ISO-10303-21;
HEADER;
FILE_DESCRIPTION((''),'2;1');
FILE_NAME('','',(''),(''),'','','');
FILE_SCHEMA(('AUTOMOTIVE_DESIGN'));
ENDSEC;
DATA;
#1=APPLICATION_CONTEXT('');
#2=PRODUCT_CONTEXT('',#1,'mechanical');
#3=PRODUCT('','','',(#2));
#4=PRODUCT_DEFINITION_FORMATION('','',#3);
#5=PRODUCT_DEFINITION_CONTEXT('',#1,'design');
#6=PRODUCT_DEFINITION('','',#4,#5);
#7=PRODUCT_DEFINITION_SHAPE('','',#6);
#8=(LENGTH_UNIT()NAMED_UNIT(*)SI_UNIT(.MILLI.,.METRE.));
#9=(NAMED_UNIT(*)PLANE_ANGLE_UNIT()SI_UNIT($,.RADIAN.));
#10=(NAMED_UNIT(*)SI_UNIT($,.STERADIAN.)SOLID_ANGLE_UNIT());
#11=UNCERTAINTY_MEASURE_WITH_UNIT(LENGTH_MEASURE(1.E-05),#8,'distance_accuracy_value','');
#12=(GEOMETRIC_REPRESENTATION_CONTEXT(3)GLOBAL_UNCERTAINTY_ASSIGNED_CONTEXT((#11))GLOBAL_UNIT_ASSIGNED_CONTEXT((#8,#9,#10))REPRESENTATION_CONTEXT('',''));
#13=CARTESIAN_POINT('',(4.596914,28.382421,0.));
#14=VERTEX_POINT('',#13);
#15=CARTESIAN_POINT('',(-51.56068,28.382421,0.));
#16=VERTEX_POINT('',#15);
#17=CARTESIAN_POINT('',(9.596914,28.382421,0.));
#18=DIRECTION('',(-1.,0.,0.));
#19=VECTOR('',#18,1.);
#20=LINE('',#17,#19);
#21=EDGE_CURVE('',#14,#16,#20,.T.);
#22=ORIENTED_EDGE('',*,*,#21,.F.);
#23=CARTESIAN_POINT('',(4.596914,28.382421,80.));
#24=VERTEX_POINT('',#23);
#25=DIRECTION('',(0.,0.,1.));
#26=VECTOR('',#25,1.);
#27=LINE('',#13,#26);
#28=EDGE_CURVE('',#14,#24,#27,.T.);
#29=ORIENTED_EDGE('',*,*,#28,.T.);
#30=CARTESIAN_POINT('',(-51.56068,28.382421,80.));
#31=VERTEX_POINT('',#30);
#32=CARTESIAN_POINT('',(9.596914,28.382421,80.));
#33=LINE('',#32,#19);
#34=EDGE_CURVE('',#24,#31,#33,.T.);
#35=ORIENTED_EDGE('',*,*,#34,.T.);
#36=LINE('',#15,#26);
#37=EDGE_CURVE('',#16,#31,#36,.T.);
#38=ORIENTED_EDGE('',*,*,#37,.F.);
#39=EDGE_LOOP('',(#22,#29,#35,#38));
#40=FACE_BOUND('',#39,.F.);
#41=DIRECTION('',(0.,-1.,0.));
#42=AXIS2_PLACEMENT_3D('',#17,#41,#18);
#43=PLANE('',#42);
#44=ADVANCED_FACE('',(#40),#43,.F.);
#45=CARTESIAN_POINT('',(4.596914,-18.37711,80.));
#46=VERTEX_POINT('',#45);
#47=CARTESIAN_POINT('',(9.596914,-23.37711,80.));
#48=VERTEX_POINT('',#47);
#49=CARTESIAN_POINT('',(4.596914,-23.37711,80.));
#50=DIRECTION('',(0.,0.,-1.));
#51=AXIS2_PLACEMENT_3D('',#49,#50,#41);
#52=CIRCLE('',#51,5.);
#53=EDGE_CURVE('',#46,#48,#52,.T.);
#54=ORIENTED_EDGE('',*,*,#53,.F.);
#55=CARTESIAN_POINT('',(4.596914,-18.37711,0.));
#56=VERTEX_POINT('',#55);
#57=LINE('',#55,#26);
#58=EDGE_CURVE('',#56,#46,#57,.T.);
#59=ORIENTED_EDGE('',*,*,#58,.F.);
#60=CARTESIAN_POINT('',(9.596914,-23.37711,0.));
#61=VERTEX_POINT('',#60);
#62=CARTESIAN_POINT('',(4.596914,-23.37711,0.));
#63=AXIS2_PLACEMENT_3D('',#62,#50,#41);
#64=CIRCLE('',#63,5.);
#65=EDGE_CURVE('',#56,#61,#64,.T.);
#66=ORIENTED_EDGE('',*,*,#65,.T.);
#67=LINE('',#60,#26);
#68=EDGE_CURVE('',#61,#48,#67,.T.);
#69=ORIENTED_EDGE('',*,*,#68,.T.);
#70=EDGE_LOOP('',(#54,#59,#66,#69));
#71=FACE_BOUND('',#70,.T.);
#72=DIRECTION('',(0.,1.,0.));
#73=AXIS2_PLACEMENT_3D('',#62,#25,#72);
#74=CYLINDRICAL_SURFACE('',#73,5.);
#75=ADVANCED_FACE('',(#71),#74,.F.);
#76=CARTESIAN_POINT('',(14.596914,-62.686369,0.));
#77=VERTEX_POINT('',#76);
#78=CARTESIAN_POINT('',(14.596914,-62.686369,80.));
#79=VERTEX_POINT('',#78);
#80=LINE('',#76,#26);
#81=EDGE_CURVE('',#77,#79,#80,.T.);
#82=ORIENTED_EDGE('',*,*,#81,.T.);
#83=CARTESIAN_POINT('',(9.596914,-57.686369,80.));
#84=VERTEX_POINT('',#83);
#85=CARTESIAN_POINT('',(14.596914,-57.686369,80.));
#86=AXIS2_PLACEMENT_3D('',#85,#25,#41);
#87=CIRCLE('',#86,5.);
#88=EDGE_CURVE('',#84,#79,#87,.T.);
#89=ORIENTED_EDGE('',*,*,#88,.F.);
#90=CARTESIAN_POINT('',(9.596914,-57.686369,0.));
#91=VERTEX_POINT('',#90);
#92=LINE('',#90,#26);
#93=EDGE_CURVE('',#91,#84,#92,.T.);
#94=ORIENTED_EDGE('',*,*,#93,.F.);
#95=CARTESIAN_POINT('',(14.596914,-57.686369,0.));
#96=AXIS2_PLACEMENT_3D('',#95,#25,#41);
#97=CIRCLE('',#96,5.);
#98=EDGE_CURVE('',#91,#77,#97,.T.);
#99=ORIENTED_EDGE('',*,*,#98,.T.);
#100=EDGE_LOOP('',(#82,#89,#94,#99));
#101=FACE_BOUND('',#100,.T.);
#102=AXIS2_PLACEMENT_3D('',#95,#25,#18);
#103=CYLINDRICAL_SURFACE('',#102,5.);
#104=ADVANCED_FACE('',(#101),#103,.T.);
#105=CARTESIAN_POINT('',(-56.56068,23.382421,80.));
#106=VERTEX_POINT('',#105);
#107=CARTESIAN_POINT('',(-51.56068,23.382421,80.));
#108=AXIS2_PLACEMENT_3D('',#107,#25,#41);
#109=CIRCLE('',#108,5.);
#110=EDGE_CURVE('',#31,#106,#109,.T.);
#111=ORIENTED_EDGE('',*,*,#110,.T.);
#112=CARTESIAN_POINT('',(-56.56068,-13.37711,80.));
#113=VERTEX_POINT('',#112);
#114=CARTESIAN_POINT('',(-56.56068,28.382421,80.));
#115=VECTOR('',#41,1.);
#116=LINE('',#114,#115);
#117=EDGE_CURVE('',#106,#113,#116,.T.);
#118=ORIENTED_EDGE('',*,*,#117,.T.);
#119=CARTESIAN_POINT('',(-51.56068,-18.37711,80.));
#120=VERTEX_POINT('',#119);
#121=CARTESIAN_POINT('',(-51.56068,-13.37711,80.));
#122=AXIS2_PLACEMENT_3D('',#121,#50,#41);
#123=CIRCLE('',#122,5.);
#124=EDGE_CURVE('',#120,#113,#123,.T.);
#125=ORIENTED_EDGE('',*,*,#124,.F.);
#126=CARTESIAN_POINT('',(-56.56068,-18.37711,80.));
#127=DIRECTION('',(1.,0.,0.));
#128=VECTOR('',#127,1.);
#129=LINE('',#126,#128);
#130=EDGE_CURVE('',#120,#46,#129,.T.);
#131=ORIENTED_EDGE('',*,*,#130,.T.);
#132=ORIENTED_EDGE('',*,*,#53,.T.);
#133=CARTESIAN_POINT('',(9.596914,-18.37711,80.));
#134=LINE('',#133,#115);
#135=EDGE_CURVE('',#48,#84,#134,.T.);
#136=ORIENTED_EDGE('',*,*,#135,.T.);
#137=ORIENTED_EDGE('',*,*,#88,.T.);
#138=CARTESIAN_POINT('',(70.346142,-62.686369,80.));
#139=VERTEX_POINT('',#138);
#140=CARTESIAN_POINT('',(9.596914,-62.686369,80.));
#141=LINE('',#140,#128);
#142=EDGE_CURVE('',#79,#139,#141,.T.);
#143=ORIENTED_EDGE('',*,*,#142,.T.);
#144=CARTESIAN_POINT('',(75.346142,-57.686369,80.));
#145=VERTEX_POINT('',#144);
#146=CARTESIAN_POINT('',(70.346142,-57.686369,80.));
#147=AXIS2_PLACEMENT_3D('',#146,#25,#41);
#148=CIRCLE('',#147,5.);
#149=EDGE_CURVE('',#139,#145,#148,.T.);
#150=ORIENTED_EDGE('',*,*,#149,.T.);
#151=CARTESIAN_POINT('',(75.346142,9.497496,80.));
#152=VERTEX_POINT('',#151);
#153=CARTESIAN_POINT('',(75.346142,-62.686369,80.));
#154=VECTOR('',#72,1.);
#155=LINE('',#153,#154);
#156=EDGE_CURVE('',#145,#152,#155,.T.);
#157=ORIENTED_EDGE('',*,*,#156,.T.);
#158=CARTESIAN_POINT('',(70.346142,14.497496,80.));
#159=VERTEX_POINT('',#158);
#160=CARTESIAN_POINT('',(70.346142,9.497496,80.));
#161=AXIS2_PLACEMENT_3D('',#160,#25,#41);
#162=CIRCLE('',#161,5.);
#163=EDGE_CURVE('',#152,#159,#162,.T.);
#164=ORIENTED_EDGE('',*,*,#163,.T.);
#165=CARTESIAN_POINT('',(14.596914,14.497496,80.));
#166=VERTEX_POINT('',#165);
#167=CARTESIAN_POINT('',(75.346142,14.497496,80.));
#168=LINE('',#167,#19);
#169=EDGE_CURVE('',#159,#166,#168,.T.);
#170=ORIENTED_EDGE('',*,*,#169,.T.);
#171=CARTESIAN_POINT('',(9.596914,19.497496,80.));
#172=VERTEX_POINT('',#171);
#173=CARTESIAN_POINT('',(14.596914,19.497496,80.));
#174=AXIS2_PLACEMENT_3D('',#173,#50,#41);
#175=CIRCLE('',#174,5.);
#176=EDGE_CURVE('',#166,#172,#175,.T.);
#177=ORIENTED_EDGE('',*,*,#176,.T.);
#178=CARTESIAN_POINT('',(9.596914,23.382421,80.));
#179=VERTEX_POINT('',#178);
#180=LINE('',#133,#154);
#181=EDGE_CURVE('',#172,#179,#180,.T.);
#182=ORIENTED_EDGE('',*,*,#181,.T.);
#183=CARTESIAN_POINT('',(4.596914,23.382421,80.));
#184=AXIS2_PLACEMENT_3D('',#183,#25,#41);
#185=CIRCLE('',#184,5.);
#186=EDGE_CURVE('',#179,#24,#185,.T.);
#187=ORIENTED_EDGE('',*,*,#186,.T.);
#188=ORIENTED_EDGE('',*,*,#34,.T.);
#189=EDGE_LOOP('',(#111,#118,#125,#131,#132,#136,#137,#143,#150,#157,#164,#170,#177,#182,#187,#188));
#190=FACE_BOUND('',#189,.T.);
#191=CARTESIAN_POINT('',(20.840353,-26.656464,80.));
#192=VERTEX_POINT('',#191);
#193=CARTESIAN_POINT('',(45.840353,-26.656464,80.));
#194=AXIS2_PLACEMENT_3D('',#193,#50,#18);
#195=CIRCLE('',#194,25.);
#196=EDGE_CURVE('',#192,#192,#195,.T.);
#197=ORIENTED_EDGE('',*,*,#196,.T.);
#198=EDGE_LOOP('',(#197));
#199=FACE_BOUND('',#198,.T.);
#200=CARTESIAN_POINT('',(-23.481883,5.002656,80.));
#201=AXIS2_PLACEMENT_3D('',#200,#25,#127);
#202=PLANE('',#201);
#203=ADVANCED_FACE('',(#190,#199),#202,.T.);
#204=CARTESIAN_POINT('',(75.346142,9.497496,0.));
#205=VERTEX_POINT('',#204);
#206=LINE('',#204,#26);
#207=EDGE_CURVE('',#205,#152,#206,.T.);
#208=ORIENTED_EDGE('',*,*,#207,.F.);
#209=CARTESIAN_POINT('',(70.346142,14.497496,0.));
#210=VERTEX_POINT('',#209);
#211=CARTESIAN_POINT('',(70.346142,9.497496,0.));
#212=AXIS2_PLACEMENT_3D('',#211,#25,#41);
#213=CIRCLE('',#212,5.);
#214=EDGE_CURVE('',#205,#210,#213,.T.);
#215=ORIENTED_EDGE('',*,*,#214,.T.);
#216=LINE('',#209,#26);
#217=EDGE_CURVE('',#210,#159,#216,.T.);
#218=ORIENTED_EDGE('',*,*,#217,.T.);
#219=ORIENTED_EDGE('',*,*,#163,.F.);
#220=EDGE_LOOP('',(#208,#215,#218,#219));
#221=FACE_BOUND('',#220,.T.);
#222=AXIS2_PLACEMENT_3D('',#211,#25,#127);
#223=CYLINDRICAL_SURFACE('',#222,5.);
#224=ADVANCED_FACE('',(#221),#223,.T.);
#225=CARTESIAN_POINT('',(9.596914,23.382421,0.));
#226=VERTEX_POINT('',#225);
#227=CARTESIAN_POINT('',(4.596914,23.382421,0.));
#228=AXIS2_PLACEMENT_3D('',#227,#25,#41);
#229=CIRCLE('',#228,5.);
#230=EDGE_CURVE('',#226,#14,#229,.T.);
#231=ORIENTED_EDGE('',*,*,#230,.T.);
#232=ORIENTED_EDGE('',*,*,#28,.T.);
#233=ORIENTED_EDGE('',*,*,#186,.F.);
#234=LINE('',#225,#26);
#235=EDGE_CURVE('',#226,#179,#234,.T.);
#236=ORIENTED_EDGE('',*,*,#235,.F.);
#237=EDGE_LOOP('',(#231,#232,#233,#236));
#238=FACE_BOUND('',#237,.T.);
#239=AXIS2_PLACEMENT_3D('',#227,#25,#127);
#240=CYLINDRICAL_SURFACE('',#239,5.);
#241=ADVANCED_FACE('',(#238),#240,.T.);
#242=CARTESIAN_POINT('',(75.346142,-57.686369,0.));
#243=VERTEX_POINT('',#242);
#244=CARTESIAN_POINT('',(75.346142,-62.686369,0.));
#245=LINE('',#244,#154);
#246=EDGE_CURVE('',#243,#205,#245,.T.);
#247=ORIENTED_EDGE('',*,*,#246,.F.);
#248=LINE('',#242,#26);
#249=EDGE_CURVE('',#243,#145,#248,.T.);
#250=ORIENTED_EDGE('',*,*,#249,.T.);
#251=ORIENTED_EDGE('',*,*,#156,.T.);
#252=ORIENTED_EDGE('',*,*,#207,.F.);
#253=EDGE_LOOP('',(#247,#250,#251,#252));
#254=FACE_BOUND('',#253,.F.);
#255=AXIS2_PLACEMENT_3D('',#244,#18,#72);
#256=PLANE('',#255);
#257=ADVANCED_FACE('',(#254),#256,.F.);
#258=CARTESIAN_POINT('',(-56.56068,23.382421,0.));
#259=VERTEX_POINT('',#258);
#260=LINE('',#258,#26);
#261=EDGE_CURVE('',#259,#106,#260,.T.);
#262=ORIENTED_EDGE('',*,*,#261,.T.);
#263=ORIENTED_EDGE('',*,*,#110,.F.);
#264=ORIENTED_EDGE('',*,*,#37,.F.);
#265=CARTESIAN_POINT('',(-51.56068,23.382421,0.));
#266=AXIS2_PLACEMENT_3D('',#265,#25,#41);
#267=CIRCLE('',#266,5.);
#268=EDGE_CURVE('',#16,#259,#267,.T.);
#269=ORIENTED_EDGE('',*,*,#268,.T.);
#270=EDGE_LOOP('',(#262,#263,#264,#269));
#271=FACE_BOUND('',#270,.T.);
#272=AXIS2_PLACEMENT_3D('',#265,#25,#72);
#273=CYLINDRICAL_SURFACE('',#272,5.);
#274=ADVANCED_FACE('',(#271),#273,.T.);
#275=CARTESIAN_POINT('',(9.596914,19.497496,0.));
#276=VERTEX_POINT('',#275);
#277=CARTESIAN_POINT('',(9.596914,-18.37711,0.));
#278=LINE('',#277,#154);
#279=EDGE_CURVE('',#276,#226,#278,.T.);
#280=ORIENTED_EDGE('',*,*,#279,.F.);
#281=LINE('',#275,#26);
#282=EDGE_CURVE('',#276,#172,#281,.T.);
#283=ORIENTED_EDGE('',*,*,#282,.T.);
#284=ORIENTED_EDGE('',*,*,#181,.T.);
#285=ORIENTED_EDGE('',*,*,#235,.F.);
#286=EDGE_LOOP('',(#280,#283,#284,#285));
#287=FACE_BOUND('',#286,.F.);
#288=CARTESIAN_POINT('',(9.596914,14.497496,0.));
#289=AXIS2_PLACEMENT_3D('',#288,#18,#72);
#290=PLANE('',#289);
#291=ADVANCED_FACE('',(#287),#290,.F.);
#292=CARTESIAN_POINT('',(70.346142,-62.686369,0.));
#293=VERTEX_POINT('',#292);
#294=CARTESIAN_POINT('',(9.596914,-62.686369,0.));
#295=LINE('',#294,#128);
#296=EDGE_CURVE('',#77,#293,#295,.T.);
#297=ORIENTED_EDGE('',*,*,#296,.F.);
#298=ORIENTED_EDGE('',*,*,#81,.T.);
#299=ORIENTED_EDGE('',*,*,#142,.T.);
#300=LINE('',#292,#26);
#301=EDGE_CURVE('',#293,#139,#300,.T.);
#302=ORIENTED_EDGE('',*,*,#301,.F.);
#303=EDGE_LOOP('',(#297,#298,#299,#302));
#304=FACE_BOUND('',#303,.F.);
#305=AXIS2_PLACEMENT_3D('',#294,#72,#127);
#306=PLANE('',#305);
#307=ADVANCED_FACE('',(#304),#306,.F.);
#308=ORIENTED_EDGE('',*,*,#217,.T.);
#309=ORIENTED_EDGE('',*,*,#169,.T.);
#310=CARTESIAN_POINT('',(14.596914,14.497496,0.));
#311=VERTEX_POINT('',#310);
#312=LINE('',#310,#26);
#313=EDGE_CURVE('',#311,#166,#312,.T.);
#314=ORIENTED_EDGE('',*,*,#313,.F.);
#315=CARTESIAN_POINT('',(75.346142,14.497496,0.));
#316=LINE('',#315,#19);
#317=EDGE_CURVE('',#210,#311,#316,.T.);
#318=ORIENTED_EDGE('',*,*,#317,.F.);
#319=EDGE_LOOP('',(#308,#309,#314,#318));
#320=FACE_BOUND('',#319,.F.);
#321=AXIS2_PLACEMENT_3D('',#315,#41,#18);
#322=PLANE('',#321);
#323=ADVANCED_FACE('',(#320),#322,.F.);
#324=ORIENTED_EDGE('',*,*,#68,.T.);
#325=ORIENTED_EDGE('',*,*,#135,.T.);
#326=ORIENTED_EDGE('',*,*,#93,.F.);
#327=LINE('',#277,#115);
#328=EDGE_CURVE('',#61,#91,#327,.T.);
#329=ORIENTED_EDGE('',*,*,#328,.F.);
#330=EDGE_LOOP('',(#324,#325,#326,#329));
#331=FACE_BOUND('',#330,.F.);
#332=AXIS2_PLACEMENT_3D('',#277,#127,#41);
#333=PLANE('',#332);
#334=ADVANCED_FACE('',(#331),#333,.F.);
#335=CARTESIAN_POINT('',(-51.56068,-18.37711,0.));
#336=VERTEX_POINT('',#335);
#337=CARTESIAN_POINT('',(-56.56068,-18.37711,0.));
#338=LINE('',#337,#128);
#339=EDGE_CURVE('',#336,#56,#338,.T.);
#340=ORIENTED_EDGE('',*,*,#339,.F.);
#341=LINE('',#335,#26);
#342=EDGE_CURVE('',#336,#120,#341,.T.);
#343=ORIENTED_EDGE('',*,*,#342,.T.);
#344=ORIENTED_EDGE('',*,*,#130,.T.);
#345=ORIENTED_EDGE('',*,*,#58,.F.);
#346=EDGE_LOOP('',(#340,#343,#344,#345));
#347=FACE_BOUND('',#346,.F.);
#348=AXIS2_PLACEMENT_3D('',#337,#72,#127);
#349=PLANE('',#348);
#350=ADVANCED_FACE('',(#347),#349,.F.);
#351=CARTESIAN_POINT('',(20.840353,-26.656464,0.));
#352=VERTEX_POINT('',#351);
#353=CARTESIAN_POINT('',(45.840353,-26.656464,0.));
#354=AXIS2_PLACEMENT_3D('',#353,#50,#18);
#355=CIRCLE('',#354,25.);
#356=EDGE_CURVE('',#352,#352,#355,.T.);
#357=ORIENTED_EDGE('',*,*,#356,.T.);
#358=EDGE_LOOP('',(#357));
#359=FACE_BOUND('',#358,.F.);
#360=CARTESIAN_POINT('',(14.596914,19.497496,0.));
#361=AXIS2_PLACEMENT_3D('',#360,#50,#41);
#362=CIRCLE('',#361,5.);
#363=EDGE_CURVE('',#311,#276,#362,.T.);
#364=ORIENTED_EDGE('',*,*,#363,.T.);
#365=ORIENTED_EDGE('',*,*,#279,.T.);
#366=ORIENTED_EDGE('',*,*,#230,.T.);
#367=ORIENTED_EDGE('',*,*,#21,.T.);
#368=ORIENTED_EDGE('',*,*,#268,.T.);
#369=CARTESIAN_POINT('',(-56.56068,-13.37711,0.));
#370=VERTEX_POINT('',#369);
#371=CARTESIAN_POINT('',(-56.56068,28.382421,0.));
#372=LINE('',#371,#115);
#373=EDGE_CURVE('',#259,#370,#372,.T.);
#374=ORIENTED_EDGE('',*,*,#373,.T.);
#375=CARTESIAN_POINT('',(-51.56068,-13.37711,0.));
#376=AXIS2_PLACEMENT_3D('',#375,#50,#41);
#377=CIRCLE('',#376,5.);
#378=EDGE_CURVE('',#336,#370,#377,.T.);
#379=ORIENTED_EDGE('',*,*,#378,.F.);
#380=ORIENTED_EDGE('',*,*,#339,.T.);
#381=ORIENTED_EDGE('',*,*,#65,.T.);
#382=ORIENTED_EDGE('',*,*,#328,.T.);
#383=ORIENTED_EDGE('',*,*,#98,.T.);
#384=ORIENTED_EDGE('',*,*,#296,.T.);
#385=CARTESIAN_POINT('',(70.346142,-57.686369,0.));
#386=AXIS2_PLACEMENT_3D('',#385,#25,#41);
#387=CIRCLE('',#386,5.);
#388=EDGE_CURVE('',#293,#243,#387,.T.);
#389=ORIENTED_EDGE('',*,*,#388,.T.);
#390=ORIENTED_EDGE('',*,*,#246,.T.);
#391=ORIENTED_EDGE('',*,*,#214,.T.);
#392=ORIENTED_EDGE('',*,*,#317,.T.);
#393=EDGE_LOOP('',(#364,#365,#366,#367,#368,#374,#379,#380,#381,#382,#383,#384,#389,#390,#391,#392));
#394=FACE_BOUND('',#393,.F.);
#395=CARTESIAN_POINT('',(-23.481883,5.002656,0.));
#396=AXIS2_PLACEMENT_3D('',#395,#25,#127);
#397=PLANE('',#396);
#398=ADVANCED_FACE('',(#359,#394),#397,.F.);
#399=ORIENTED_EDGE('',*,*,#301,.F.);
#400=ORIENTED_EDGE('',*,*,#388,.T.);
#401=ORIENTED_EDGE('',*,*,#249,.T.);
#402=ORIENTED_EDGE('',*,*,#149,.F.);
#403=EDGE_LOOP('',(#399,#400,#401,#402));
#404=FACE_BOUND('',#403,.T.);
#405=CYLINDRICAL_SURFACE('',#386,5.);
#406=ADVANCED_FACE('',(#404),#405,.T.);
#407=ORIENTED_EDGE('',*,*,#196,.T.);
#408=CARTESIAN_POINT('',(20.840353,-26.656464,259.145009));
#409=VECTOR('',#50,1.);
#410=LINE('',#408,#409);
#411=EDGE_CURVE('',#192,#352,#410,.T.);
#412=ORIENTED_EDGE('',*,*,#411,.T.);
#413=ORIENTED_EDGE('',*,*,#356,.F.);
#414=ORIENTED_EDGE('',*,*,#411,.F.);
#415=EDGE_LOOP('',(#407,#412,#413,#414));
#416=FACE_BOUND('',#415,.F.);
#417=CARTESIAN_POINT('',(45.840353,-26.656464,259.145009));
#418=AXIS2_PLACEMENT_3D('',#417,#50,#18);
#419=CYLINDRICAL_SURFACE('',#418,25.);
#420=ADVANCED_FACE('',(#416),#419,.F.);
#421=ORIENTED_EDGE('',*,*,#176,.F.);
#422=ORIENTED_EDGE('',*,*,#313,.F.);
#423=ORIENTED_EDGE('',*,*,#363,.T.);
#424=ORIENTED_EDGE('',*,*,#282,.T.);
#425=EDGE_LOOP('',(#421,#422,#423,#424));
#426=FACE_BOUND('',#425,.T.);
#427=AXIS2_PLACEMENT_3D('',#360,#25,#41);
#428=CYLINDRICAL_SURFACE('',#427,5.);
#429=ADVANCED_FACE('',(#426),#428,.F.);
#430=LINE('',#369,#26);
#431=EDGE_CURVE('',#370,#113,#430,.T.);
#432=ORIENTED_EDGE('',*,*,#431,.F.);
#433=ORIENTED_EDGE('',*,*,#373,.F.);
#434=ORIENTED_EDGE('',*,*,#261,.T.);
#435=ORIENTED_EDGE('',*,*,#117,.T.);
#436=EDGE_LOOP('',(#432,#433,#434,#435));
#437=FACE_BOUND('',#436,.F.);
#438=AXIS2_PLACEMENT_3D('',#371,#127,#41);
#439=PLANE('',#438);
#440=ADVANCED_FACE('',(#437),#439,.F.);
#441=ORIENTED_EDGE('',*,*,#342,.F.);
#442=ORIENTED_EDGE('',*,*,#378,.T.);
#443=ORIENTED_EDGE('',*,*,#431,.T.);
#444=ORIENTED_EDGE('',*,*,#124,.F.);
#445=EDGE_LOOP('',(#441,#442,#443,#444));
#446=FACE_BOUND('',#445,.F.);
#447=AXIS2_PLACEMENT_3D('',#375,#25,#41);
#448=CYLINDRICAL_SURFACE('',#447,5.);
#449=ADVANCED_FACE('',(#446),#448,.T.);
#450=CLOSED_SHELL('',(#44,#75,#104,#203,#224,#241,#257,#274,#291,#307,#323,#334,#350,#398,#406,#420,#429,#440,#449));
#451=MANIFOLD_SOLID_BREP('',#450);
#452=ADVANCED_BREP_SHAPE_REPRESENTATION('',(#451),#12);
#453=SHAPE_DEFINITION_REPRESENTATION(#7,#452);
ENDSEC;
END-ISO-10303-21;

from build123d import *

# Parameters (mm, degrees)
F1_DEPTH = 80
F2_R     = 5
F4_D     = 50


with BuildPart() as f1:
    # F0 (on Top) → F1 (new body)
    with BuildSketch(Plane.XY):
        Polygon((-56.56068, -18.37711), (9.596914, -18.37711), (9.596914, 14.497496), (9.596914, 28.382421), (-56.56068, 28.382421), align=None)
        Polygon((9.596914, 14.497496), (9.596914, -18.37711), (9.596914, -62.686369), (75.346142, -62.686369), (75.346142, 14.497496), align=None)
    extrude(amount=F1_DEPTH)

    # F2
    f2_edges = [f1.edges().sort_by_distance(p)[0] for p in [
        (9.596914, 14.497496, 40),
        (9.596914, -18.37711, 40),
        (-56.56068, -18.37711, 40),
        (-56.56068, 28.382421, 40),
        (9.596914, 28.382421, 40),
        (75.346142, 14.497496, 40),
        (75.346142, -62.686369, 40),
        (9.596914, -62.686369, 40),
    ]]
    fillet(f2_edges, radius=F2_R)

    # F4 (through all)
    with Locations(Plane.XY.offset(80)):
        with Locations((45.840353, -26.656464)):
            Hole(F4_D / 2)


solid = f1.part
